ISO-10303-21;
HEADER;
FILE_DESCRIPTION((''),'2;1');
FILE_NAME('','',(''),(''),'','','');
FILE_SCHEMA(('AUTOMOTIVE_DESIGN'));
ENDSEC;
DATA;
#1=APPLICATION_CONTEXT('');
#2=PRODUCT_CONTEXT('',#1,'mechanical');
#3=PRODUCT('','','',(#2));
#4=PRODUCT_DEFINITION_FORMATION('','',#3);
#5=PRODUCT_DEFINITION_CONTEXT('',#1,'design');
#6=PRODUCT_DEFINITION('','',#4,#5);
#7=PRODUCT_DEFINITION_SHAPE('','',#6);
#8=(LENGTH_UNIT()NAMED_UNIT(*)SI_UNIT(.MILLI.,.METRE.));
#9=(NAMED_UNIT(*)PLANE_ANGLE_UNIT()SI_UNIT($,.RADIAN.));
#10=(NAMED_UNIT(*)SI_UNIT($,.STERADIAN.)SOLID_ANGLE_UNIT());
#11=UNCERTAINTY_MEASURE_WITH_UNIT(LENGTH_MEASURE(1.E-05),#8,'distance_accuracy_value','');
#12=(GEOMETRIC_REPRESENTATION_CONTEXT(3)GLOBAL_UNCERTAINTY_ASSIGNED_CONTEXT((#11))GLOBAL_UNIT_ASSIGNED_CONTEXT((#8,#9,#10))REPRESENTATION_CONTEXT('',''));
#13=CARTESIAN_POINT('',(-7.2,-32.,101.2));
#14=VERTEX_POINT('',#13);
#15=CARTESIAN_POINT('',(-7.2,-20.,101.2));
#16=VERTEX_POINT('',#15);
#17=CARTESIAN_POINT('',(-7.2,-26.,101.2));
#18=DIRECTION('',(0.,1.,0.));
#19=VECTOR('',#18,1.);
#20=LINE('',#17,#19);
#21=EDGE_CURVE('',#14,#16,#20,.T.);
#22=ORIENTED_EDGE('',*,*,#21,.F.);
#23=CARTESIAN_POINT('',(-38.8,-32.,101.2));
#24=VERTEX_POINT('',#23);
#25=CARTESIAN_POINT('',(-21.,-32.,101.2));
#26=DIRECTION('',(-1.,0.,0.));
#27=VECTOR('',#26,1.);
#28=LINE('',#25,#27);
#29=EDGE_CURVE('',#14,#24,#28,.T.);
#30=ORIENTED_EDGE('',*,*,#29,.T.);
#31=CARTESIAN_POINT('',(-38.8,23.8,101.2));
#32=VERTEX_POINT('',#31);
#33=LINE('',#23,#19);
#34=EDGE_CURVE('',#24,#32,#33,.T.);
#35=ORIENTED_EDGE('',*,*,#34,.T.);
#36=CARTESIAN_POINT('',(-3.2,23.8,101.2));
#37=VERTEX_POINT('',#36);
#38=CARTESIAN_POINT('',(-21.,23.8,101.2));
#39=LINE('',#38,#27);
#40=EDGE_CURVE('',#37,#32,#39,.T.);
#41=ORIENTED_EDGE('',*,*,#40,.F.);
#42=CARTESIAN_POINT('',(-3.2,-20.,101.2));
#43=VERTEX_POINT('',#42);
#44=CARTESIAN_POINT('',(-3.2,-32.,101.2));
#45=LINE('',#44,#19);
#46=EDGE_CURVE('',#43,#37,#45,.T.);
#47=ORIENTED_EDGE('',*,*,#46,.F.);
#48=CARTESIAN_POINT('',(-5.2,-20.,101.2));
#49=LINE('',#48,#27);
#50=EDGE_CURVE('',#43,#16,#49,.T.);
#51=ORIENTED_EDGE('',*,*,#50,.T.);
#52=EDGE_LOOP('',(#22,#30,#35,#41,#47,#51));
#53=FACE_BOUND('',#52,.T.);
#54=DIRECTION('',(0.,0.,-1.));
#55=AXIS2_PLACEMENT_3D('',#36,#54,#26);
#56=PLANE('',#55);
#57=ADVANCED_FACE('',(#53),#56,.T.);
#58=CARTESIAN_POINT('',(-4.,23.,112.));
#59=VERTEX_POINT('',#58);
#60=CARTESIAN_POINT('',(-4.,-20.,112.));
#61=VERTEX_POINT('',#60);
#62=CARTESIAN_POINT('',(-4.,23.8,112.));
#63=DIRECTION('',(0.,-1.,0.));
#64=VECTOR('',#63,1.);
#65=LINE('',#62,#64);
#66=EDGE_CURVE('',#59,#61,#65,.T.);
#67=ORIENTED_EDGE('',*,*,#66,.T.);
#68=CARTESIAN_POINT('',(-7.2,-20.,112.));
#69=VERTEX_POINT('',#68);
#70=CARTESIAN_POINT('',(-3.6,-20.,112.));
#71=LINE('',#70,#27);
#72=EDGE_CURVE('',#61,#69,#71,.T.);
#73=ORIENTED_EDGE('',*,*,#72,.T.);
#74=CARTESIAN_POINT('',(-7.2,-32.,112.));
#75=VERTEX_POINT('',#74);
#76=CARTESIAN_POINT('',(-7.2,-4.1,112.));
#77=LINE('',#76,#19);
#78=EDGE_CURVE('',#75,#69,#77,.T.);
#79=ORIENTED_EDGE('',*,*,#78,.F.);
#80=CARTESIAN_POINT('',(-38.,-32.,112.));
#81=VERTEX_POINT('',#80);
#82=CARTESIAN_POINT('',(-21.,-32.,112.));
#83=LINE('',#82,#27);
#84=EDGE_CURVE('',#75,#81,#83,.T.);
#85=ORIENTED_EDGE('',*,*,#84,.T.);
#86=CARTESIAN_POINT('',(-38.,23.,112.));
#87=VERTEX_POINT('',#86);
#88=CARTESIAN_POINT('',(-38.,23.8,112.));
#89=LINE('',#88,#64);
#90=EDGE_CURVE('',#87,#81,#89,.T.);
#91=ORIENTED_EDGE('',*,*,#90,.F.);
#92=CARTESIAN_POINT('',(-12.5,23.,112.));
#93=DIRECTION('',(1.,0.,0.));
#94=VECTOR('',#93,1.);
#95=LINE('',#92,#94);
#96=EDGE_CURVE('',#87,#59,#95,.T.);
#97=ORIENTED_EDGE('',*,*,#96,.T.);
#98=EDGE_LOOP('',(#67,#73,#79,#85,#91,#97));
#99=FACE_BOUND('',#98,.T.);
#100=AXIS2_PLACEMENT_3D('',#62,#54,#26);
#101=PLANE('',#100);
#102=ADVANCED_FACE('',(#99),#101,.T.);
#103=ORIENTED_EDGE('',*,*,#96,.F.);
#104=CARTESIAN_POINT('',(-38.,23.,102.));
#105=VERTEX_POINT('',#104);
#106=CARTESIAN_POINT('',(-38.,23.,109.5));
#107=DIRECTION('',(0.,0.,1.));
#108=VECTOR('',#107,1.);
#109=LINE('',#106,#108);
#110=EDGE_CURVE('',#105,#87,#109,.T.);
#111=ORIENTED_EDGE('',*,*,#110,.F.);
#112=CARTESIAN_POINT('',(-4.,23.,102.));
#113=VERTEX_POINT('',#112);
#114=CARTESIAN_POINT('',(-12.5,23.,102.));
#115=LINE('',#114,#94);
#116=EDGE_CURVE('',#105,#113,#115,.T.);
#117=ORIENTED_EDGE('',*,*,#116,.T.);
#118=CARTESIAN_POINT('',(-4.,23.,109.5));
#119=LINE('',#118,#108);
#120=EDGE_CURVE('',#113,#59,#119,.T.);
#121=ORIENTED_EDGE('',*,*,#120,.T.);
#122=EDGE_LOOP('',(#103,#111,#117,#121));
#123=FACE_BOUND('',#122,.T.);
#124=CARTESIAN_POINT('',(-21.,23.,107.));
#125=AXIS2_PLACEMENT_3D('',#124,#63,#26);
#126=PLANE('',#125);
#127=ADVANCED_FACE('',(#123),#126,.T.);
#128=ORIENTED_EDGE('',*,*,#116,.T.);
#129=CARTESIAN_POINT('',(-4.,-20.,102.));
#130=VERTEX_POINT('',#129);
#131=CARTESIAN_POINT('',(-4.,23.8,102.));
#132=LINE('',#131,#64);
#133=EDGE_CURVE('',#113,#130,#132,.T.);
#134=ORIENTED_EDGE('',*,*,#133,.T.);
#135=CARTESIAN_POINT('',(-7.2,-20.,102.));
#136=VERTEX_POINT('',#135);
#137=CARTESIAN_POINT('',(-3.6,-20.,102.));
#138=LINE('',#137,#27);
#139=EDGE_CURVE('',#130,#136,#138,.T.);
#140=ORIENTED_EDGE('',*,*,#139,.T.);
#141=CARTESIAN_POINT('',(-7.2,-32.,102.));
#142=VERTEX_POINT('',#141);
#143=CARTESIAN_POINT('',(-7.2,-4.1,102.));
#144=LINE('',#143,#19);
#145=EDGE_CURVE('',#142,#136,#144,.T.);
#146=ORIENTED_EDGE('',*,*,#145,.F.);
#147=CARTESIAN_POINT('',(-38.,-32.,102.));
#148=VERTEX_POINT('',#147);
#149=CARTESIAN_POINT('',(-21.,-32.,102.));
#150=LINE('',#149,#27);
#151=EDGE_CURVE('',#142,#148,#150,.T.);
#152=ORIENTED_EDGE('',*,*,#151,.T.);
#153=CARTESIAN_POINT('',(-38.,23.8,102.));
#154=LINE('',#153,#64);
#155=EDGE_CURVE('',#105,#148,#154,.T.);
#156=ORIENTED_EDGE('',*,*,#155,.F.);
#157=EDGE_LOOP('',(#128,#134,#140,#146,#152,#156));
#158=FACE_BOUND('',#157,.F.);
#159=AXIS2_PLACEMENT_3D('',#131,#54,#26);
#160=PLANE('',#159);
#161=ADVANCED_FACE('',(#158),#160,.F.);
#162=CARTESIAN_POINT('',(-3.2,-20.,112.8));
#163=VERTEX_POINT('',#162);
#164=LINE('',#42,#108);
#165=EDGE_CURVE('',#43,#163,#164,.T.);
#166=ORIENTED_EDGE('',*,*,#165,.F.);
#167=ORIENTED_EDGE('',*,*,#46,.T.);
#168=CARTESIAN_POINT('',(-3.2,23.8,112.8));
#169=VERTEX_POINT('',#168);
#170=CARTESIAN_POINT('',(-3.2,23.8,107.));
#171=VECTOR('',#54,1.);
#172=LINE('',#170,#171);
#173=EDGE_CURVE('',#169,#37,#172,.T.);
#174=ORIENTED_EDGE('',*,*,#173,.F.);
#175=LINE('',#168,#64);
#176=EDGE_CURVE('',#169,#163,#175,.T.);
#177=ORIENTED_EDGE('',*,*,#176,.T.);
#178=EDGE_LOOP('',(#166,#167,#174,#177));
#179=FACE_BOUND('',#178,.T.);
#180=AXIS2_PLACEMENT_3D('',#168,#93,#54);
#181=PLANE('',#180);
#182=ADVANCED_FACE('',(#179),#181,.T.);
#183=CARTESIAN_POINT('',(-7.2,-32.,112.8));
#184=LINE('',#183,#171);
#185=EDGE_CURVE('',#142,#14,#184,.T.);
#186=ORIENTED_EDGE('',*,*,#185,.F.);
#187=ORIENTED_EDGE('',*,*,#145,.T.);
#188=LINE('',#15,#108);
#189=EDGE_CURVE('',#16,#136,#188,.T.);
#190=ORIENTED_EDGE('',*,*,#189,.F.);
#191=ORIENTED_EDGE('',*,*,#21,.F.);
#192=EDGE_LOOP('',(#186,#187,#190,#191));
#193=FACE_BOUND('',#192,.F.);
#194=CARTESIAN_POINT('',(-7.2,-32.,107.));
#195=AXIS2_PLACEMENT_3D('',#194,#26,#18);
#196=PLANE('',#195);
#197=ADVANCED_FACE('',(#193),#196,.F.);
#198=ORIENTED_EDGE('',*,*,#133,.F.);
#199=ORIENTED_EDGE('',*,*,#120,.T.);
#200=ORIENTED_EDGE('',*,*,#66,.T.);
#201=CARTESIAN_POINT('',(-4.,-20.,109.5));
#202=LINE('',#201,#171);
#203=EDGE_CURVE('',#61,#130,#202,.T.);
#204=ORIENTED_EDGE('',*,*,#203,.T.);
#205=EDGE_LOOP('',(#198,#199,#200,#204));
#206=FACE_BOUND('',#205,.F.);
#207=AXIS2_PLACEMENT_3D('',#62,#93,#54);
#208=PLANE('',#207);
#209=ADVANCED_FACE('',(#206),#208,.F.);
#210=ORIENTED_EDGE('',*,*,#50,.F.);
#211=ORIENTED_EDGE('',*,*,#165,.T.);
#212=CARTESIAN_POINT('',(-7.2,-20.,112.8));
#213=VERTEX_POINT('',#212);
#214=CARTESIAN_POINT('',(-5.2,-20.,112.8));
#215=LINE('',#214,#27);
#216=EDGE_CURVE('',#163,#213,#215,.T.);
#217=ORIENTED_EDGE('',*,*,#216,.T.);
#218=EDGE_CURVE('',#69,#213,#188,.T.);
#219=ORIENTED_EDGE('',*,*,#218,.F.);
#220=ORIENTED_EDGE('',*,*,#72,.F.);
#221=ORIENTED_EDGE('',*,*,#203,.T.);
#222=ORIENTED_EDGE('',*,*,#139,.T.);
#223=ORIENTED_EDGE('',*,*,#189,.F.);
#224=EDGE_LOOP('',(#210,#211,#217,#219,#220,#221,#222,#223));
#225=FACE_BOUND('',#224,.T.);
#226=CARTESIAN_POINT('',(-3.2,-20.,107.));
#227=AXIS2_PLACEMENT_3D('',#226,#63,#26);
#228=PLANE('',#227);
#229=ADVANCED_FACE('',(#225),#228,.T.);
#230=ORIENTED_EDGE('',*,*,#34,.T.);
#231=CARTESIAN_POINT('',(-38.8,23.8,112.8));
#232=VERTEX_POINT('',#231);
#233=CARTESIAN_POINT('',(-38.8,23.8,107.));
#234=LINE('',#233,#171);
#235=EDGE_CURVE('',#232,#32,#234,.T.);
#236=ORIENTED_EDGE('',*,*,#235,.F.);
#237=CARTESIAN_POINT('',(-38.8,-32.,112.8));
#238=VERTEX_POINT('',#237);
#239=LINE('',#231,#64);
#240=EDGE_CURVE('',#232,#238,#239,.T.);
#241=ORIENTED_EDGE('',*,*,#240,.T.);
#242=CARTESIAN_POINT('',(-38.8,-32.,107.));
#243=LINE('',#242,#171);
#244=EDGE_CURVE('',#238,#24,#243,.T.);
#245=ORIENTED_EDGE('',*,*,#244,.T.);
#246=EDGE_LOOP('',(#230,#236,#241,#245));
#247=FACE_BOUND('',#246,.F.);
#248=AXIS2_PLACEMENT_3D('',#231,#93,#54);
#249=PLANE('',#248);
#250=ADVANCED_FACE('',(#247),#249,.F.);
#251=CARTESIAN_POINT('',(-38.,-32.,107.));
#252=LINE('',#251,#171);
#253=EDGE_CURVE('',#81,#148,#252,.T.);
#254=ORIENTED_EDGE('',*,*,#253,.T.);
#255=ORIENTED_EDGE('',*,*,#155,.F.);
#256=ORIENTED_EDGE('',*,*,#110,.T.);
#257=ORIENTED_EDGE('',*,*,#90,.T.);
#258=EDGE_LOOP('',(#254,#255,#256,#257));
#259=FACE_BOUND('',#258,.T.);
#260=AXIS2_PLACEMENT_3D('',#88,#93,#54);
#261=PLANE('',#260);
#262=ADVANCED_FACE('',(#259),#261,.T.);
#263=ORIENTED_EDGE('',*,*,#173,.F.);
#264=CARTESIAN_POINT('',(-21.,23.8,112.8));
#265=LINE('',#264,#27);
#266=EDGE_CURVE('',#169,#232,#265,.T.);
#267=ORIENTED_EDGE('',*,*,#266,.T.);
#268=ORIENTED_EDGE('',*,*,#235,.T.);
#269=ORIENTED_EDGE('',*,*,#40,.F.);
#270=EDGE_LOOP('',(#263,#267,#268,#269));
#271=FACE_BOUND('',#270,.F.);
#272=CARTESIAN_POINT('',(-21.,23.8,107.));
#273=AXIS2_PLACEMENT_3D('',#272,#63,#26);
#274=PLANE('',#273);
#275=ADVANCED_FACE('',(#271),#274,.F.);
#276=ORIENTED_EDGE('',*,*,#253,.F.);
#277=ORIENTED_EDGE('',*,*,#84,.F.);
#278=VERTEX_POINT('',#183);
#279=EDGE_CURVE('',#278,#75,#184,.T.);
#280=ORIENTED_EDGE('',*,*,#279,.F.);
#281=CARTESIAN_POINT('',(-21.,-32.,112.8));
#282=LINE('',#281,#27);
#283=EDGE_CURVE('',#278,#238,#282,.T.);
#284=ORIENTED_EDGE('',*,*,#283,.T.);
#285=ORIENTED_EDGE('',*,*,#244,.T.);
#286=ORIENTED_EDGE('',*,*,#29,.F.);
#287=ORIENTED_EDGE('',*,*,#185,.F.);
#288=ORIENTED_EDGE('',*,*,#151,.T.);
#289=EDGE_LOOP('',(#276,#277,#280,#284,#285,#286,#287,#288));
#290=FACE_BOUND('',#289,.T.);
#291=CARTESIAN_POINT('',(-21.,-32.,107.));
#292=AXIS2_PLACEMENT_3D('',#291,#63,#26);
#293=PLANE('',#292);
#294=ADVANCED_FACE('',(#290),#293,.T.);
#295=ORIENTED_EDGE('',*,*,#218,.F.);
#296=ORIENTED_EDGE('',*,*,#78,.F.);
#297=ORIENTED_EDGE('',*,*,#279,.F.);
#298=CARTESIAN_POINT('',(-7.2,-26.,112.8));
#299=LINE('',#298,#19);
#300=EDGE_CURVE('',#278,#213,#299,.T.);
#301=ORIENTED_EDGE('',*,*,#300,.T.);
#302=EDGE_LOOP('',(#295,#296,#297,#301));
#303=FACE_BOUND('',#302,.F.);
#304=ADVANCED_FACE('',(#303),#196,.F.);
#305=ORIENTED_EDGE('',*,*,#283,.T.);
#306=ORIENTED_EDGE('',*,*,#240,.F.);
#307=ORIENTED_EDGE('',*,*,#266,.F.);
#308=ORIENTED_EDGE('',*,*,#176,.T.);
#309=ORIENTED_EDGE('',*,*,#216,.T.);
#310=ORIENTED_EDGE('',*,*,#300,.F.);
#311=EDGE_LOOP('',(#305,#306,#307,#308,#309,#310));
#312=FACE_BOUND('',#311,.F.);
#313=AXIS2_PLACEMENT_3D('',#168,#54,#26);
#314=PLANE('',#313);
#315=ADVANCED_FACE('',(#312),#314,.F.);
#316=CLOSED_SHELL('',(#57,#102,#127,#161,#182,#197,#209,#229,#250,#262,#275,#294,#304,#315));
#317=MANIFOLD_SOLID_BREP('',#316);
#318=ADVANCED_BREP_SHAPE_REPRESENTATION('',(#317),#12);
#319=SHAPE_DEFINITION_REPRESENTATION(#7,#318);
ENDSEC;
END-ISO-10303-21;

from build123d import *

# Parameters (mm, degrees)
SKETCH015_W             = 35.6
SKETCH015_H             = 11.6
PAD010_DEPTH            = 0.8
SKETCH016_W             = 35.6
SKETCH016_H             = 11.6
SKETCH016_W_2           = 34
SKETCH016_H_2           = 10
PAD011_DEPTH            = 55.8
SKETCH017_W             = 4
SKETCH017_H             = 12
POCKET005_DEPTH         = 5.8
BODY004_PLACEMENT_ANGLE = 180


with BuildPart() as part:
    # Sketch015 → Pad010 (new body)
    with BuildSketch(Plane.XZ):
        Rectangle(SKETCH015_W, SKETCH015_H)
    extrude(amount=PAD010_DEPTH)

    # Sketch016 → Pad011 (join)
    with BuildSketch(Plane.XZ):
        Rectangle(SKETCH016_W, SKETCH016_H)
        Rectangle(SKETCH016_W_2, SKETCH016_H_2, mode=Mode.SUBTRACT)
    extrude(amount=PAD011_DEPTH)

    # Sketch017 → Pocket005 (cut, symmetric)
    with BuildSketch(Plane.XY):
        with Locations((-15.8, -49.8)):
            Rectangle(SKETCH017_W, SKETCH017_H)
    extrude(amount=POCKET005_DEPTH, both=True, mode=Mode.SUBTRACT)


with BuildPart() as part_1:
    # Body004 placement: moved
    add(part.part.moved(Location((-21, 23.8, 107))).rotate(Axis((-21, 23.8, 107), (0, 1, 0)), BODY004_PLACEMENT_ANGLE))


solid = part_1.part
